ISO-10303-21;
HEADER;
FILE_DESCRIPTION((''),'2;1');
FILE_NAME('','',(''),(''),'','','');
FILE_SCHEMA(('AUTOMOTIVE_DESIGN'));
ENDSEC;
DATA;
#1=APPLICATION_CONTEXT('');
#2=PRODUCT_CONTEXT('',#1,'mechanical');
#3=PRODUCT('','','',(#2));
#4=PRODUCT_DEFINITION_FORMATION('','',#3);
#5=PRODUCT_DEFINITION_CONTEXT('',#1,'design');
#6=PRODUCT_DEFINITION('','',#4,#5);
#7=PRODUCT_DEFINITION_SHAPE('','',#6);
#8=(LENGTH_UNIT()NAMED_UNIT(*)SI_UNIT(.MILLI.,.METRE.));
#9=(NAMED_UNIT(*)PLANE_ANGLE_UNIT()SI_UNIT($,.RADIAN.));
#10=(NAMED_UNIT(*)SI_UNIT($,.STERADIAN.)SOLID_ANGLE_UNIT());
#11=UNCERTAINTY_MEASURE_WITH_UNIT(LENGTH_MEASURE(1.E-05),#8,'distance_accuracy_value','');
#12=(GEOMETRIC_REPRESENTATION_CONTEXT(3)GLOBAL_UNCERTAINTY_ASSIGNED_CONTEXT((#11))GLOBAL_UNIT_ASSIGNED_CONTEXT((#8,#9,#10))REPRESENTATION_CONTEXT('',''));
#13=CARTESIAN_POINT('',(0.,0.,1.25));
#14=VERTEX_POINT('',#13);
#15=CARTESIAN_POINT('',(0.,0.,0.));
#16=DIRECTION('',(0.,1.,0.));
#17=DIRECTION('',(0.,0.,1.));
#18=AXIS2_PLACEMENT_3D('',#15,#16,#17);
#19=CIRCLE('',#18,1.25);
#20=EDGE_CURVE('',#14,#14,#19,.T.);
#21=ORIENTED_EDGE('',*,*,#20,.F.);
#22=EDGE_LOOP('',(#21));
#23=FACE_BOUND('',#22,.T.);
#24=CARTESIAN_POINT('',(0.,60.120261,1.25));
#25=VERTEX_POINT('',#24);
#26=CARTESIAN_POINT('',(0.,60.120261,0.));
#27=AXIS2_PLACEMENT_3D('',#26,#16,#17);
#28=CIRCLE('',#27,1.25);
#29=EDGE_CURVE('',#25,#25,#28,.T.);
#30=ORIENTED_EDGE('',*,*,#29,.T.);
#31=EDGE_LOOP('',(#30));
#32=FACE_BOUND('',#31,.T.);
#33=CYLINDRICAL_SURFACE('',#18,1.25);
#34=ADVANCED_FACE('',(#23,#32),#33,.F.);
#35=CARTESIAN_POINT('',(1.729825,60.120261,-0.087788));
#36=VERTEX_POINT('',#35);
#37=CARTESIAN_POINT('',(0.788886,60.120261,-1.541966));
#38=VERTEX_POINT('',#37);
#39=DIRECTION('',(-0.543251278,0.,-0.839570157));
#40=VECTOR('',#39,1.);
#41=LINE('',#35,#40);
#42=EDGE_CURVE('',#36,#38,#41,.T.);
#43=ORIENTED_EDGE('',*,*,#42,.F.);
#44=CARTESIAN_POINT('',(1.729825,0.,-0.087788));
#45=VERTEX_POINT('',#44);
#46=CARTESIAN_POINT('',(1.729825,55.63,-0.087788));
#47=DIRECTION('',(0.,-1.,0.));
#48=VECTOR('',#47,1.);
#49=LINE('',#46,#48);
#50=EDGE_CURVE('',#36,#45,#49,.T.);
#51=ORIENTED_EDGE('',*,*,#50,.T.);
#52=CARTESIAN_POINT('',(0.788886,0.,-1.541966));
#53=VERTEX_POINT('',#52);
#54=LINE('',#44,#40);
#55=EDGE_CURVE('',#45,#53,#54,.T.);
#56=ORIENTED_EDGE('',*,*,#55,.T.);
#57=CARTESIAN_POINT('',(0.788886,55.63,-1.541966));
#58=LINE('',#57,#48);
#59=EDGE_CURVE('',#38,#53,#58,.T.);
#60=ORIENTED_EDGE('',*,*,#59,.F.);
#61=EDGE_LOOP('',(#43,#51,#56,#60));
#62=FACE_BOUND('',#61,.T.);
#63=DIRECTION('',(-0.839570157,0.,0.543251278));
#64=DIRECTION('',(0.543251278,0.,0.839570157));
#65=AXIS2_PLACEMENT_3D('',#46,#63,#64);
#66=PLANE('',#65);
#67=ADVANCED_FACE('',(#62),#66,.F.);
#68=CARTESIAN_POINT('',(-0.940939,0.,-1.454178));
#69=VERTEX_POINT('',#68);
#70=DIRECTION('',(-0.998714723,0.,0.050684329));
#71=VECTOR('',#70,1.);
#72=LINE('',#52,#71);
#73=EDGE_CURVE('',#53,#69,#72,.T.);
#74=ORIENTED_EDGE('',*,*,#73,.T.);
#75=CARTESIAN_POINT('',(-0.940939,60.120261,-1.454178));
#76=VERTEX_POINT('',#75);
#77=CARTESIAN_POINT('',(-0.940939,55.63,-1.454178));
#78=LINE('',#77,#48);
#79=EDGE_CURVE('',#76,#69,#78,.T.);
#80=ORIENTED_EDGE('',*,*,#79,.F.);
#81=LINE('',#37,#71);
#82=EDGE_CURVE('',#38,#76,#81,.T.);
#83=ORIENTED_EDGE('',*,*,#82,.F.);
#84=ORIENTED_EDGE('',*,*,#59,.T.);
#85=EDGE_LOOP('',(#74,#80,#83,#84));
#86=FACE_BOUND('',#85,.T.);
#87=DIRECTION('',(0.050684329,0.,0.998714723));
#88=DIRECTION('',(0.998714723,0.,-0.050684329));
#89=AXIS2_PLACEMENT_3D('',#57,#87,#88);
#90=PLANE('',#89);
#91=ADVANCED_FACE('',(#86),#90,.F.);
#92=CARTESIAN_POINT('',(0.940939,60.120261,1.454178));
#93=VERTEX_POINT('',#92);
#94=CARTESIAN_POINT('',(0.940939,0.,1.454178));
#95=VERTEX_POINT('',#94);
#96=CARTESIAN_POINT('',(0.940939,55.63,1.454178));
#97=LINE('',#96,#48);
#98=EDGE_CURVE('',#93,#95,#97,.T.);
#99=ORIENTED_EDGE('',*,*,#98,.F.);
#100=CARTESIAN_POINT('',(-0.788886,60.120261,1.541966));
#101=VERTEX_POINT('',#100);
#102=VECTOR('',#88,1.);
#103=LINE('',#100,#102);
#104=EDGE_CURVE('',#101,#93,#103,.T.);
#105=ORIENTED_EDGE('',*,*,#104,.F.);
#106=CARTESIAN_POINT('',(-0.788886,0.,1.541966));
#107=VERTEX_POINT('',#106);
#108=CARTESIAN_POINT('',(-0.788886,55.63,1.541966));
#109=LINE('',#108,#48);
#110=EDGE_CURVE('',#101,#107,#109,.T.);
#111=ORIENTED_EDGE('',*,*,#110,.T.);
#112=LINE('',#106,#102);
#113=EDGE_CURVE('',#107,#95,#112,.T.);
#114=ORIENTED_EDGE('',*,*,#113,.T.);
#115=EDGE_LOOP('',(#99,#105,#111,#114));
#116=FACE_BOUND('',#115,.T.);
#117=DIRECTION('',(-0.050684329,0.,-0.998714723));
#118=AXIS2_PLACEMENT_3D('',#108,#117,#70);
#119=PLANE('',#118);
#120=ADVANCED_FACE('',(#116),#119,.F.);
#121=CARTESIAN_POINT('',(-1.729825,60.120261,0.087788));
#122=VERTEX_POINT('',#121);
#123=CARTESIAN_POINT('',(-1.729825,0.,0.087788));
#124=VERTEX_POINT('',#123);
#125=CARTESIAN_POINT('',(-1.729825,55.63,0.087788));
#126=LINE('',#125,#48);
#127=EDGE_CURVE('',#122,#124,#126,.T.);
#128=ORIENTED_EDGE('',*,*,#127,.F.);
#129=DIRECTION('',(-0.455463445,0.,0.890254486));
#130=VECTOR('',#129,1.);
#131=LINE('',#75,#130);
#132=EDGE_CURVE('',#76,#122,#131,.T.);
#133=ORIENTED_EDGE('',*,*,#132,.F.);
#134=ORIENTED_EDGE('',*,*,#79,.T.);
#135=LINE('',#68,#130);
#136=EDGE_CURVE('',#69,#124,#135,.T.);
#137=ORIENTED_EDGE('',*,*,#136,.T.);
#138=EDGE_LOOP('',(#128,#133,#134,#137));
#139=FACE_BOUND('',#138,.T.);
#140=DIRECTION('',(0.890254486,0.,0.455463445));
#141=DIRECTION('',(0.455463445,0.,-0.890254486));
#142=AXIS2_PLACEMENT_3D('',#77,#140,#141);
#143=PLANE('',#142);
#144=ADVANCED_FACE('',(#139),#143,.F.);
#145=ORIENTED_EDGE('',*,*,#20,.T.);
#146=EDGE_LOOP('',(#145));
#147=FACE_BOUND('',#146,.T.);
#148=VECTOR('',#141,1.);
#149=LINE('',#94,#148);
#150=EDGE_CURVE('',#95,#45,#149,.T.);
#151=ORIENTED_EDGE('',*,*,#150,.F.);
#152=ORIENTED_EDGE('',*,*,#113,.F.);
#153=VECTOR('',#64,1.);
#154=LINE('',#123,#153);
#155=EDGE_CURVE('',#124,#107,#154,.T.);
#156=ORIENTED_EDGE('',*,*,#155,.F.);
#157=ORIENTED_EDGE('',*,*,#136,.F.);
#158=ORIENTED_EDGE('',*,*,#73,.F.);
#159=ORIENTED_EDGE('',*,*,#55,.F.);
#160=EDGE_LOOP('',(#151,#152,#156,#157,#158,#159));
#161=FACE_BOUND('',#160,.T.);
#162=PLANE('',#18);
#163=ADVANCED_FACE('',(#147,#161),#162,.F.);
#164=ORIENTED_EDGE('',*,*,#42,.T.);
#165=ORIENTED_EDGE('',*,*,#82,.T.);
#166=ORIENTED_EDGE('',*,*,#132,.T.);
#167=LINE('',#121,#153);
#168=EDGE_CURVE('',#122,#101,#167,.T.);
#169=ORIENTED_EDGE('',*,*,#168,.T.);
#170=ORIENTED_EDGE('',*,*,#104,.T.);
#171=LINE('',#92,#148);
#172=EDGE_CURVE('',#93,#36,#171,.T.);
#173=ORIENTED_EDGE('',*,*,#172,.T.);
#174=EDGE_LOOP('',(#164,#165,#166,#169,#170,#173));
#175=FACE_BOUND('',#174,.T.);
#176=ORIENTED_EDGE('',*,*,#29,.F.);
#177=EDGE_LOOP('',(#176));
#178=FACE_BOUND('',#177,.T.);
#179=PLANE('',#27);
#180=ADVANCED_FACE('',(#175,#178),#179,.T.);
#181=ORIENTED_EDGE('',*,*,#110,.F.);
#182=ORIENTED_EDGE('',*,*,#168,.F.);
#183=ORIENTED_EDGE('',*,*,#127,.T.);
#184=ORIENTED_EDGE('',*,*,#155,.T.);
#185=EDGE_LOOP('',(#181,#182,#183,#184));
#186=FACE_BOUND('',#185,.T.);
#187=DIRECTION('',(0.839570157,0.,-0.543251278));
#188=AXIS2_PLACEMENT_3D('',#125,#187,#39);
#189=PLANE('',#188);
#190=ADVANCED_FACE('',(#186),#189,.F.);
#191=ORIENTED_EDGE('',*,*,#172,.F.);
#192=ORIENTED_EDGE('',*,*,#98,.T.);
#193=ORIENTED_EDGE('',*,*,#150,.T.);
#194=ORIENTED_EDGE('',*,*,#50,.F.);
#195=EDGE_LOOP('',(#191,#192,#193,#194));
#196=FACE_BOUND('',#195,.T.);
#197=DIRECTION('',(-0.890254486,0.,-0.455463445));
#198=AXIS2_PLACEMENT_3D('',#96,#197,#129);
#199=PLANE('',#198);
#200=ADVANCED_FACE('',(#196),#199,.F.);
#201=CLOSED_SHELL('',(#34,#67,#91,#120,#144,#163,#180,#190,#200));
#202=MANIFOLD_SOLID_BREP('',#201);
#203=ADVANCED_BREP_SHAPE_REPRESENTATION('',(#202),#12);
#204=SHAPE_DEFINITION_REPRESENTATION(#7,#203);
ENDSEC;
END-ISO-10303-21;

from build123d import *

# Parameters (mm, degrees)
EXTRUDE_1_DEPTH     = 55.63
SKETCH_2_R          = 1.25
CUT_EXTRUDE_1_DEPTH = 55.63
EXTRUDE_START       = 4.490261
SKETCH_3_R          = 1.25
EXTRUDE_2_DEPTH     = 4.490261


with BuildPart() as part:
    # 草图1 → 凸台-拉伸1 (new body)
    with BuildSketch(Plane(origin=(0, 0, 0), x_dir=(1, 0, 0), z_dir=(0, 1, 0))):
        Polygon((0.940938815, -1.454178169), (1.729824643, 0.087787833), (0.788885828, 1.541966002), (-0.940938815, 1.454178169), (-1.729824643, -0.087787833), (-0.788885828, -1.541966002), align=None)
    extrude(amount=EXTRUDE_1_DEPTH)

    # 草图2 → 切除-拉伸1 (cut)
    with BuildSketch(Plane(origin=(0, 55.63, 0), x_dir=(1, 0, 0), z_dir=(0, 1, 0))):
        with Locations(Location((0, 0, 0), (0, 0, 270))):
            Circle(SKETCH_2_R)
    extrude(amount=-CUT_EXTRUDE_1_DEPTH, mode=Mode.SUBTRACT)

    # 草图3 → 凸台-拉伸2 (add)
    with BuildSketch(Plane(origin=(0, 55.63, 0), x_dir=(1, 0, 0), z_dir=(0, 1, 0)).offset(EXTRUDE_START)):
        Polygon((0.788885828, 1.541966002), (-0.940938815, 1.454178169), (-1.729824643, -0.087787833), (-0.788885828, -1.541966002), (0.940938815, -1.454178169), (1.729824643, 0.087787833), align=None)
        with Locations(Location((0, 0, 0), (0, 0, 270))):
            Circle(SKETCH_3_R, mode=Mode.SUBTRACT)
    extrude(amount=-EXTRUDE_2_DEPTH)


solid = part.part
